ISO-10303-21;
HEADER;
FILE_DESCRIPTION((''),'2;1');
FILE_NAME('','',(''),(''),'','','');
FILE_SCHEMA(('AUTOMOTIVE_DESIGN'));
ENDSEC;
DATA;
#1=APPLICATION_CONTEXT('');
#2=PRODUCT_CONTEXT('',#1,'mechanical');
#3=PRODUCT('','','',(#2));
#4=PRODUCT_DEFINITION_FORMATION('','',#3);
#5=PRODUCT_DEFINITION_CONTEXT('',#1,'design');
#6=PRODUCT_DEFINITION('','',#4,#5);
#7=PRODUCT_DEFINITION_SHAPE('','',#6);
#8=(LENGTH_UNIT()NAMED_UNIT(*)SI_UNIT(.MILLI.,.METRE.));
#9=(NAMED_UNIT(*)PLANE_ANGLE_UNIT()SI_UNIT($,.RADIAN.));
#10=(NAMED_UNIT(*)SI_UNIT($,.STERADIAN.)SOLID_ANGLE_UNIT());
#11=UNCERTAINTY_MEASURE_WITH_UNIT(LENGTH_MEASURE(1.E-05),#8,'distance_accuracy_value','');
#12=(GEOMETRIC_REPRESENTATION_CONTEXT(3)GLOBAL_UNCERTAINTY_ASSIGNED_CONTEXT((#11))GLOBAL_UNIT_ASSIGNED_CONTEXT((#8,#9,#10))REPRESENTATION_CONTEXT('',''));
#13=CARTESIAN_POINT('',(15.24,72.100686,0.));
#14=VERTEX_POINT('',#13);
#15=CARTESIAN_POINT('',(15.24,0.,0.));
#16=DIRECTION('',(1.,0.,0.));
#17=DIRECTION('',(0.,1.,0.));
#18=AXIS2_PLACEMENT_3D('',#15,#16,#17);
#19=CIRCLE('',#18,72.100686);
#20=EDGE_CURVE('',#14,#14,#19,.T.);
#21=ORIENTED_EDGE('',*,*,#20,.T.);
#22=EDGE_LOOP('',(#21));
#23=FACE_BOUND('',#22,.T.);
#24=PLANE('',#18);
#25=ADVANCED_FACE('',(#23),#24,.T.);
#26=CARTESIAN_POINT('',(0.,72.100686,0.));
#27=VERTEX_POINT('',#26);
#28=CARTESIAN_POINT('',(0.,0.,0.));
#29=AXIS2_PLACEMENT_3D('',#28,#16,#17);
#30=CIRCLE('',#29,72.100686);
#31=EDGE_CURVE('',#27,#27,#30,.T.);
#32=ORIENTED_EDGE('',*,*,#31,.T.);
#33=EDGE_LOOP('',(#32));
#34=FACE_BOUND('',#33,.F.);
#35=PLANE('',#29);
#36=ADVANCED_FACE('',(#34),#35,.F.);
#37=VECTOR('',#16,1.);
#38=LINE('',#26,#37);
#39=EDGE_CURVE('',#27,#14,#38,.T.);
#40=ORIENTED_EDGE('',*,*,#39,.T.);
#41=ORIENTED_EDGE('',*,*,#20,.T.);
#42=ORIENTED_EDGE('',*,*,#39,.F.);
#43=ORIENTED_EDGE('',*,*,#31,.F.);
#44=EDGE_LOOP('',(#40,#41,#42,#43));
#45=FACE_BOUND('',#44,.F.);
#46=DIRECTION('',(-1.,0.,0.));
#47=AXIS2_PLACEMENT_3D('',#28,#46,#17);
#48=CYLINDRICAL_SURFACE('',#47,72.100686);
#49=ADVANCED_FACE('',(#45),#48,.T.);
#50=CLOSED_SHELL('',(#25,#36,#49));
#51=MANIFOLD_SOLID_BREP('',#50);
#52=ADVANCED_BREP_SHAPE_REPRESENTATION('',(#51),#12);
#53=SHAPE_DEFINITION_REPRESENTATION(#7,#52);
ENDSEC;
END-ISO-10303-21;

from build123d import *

# Parameters (mm, degrees)
F0_R     = 72.100685756
F1_DEPTH = 15.24
F2_R     = 72.100685756
F3_W     = 75.4410102963
F3_H     = 122.2938522696
F4_DEPTH = 3.81


with BuildPart() as f1:
    # F0 (on Right) → F1 (new body)
    with BuildSketch(Plane.YZ):
        Circle(F0_R)
    extrude(amount=F1_DEPTH)

    # F2 (on face) + F3 (on face) → F4 (join)
    with BuildSketch(Plane.YZ.offset(15.24)):
        Circle(F2_R)
        with BuildLine():
            add(Edge.make_bspline(
                [(0, -19.3283688277), (7.2915372713, -15.5039797305), (22.6063367366, -7.4714140422), (33.7992430244, 25.1491278531), (17.3668946049, 40.0781600056), (6.3201660368, 26.2507504275), (0, 18.3396730572)],
                knots=[0, 0, 0, 0, 0.26126356, 0.5487456047, 0.7418237729, 1, 1, 1, 1], degree=3))
            add(Edge.make_bspline(
                [(0, -19.3283688277), (-7.2915372713, -15.5039797305), (-22.6063367366, -7.4714140422), (-33.7992430244, 25.1491278531), (-17.3668946049, 40.0781600056), (-6.3201660368, 26.2507504275), (0, 18.3396730572)],
                knots=[0, 0, 0, 0, 0.26126356, 0.5487456047, 0.7418237729, 1, 1, 1, 1], degree=3))
        make_face(mode=Mode.SUBTRACT)
    with BuildSketch(Plane.YZ.offset(15.24)):
        Rectangle(F3_W, F3_H)
    extrude(amount=-F4_DEPTH)


solid = f1.part
